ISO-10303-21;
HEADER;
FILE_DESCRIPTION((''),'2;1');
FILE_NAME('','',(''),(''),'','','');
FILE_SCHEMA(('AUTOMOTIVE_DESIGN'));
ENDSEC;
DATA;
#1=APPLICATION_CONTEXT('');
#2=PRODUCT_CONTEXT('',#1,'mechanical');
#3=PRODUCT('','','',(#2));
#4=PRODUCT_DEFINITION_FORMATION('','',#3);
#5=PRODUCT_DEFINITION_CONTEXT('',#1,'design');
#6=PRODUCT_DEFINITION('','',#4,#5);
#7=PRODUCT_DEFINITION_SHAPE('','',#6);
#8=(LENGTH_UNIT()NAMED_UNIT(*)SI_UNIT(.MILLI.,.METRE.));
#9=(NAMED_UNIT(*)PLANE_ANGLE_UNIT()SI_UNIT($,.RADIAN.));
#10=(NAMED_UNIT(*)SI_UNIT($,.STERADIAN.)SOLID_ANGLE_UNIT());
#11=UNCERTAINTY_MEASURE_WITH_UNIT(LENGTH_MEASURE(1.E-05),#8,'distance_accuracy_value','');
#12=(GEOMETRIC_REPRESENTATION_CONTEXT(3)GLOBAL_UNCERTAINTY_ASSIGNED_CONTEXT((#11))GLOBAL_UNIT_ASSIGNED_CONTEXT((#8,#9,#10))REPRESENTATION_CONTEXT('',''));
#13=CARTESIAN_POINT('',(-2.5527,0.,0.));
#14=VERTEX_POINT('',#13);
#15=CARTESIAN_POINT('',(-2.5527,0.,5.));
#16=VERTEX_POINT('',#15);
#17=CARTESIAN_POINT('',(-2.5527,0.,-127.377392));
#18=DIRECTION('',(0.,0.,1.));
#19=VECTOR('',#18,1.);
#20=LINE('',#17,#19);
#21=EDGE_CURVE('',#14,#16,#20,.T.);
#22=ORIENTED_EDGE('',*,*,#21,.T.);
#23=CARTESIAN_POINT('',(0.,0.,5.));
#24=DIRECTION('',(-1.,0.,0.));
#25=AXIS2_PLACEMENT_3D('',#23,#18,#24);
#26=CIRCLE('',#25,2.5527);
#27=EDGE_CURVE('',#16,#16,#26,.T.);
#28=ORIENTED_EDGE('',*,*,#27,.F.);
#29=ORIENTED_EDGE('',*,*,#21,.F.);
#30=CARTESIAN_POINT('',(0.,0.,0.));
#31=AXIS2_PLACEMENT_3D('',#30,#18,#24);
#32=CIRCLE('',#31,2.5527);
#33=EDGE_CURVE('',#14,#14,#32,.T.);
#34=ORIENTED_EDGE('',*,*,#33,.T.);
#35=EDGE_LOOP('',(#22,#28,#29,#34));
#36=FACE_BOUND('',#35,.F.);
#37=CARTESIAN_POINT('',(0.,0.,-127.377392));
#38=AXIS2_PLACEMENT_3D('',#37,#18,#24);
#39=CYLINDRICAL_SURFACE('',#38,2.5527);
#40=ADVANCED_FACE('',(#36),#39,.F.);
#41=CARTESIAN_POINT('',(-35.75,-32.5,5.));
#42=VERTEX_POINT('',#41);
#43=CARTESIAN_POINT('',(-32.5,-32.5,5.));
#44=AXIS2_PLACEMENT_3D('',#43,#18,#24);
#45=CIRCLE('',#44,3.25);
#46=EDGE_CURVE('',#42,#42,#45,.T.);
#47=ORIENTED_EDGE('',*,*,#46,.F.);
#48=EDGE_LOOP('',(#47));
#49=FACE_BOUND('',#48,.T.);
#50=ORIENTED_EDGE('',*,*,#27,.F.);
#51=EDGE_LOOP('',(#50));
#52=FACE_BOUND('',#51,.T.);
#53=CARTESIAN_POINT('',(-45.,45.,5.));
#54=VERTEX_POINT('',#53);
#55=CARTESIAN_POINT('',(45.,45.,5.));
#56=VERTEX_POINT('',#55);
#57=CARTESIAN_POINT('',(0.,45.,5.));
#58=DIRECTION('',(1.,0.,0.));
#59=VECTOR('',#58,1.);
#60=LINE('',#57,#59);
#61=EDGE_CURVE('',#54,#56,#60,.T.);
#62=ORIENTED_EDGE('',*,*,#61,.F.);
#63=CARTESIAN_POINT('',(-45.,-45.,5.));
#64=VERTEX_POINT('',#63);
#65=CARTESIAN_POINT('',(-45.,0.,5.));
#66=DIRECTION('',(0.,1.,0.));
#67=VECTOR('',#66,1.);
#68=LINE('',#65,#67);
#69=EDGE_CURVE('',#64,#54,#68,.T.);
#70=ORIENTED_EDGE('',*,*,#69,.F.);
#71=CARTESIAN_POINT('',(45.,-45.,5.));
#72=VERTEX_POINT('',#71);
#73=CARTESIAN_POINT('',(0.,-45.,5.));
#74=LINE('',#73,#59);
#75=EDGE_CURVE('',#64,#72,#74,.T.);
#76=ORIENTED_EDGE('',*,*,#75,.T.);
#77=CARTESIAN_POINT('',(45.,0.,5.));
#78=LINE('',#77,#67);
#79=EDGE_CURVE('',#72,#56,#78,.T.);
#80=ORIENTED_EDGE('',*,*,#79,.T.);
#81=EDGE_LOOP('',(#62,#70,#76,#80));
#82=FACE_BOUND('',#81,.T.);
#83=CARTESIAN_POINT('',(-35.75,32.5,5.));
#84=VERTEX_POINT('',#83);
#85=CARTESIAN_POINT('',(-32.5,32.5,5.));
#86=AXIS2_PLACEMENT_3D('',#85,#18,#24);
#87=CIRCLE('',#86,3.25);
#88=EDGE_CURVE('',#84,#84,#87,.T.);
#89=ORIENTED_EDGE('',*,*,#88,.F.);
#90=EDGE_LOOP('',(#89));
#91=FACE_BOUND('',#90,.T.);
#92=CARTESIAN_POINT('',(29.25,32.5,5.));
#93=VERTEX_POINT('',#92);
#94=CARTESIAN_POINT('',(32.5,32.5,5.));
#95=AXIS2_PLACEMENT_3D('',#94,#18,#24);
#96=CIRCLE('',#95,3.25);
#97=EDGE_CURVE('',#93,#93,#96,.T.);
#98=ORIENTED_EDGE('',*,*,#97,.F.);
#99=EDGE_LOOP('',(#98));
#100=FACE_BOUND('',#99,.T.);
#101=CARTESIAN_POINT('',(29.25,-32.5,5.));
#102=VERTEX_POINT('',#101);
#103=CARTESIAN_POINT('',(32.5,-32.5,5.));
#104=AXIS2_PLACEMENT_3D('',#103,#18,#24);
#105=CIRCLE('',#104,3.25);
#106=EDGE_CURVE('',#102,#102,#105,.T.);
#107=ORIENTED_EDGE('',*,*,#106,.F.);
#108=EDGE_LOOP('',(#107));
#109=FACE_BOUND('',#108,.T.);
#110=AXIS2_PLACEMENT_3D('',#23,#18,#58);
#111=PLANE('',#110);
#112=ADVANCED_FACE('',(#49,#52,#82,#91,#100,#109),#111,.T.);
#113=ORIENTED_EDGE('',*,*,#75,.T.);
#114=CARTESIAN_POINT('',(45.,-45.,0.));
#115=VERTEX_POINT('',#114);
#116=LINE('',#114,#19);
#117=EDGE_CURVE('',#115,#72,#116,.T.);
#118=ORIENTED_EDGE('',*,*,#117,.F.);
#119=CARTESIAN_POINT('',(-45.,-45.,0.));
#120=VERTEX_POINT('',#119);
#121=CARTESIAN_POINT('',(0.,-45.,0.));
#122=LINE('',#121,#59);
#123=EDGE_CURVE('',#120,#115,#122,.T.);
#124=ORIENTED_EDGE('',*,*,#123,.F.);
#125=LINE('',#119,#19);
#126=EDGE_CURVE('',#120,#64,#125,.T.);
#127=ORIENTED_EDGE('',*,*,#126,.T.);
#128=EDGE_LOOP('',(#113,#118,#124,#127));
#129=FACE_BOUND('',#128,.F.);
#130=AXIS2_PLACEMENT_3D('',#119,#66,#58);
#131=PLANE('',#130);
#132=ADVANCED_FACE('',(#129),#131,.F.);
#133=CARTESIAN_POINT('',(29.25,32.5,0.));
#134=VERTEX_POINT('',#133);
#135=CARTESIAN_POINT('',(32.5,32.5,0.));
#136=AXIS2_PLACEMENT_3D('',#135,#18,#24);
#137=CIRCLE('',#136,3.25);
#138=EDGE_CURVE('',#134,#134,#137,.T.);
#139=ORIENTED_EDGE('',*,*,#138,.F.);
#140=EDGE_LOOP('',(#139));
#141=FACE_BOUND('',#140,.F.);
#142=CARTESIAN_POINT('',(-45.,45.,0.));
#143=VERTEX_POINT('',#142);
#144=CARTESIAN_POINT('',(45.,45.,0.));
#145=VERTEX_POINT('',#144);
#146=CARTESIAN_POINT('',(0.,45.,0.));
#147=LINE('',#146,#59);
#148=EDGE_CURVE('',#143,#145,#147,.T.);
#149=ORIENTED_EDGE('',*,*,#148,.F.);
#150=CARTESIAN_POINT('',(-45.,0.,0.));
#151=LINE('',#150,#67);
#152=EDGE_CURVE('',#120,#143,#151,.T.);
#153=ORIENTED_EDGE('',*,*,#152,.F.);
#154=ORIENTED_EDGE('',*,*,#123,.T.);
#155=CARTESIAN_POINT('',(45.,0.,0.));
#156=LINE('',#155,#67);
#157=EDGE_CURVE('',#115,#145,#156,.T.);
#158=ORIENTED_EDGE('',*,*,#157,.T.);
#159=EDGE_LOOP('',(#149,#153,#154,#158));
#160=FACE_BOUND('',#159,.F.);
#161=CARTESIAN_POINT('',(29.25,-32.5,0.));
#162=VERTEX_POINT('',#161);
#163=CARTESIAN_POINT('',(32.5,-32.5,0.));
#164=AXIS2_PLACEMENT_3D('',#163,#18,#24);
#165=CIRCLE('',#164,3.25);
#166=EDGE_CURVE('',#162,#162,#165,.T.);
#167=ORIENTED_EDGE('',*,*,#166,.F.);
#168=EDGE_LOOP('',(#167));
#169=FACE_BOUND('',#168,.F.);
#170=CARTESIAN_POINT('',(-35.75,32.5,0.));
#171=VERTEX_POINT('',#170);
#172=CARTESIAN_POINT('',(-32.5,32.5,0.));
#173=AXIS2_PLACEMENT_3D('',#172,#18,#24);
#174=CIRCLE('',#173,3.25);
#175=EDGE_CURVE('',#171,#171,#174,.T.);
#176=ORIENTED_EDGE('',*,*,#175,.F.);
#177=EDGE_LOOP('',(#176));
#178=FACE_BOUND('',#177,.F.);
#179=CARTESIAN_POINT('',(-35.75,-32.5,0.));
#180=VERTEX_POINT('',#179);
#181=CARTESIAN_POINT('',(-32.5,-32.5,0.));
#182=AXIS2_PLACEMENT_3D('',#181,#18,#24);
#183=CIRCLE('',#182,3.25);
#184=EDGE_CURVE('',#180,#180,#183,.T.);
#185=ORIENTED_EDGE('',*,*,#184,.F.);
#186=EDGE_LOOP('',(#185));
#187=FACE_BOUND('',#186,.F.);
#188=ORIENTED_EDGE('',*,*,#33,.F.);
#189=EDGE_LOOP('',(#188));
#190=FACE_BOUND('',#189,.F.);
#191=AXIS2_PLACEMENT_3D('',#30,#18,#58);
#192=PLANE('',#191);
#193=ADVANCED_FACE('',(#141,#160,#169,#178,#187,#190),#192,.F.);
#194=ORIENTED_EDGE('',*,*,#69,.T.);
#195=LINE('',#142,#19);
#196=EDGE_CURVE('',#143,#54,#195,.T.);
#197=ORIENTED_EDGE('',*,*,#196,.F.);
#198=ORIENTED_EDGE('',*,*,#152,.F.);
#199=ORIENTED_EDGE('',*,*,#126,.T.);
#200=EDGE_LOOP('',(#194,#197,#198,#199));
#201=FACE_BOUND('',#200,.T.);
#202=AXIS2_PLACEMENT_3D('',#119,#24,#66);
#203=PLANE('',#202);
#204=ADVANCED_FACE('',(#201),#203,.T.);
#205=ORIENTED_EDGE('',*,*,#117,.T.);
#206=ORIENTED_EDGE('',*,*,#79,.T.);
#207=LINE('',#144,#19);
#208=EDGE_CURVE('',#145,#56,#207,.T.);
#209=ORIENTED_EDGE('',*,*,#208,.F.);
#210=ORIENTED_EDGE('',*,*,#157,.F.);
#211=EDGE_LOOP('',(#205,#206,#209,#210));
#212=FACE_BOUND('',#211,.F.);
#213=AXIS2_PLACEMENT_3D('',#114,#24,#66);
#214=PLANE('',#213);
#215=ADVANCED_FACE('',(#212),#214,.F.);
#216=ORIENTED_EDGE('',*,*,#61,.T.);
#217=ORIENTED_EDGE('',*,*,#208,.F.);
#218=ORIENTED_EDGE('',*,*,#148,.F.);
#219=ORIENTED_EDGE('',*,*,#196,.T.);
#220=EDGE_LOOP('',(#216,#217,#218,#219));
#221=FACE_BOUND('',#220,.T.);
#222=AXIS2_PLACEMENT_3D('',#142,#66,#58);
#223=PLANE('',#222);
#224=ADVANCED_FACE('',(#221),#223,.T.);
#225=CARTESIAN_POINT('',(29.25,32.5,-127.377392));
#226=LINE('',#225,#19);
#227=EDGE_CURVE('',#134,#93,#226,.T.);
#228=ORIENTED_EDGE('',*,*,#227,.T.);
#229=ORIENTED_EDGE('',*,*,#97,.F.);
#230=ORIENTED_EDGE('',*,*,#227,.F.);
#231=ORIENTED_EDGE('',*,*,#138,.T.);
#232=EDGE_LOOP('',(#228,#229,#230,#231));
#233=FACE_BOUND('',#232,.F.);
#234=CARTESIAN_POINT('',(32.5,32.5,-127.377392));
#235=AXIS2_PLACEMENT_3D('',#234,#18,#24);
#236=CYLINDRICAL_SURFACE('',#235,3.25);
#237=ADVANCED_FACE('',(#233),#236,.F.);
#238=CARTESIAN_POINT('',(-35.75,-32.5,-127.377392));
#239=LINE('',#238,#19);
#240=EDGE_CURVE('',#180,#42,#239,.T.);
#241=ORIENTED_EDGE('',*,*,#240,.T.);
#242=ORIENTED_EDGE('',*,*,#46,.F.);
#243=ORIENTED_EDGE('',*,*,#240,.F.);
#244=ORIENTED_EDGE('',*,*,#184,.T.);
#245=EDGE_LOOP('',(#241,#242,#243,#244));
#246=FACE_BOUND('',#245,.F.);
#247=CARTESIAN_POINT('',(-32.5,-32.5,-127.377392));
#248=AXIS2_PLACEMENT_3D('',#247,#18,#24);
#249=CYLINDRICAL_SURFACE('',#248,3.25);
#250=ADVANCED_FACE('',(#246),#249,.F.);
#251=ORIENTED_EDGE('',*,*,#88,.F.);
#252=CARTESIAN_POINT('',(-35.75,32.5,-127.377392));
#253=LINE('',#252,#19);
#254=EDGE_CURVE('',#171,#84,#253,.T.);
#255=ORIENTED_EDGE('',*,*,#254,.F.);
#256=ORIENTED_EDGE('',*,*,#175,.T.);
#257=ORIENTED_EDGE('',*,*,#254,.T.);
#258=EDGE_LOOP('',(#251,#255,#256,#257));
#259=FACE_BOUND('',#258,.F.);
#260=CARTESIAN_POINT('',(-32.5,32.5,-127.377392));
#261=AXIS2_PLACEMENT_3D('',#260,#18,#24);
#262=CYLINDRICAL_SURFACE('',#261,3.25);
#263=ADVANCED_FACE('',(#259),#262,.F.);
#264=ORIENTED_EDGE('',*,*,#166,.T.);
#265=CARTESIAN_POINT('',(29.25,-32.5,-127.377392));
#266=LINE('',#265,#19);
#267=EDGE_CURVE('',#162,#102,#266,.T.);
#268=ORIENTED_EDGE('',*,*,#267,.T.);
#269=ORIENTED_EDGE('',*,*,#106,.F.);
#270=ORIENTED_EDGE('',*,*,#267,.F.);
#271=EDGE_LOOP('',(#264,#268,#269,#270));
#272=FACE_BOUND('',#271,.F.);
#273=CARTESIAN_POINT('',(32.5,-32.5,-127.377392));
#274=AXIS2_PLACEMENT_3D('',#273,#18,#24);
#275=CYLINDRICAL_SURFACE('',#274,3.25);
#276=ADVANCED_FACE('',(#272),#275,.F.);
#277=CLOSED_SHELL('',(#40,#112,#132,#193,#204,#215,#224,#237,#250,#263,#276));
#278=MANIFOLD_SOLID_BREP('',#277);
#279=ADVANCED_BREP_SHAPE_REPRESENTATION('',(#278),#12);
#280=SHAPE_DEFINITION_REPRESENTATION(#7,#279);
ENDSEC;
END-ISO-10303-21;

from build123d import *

# Parameters (mm, degrees)
F0_W     = 90
F0_H     = 90
F1_DEPTH = 5
F2_D     = 6.5
F3_D     = 5.1054


with BuildPart() as f1:
    # F0 (on Top) → F1 (new body)
    with BuildSketch(Plane.XY):
        Rectangle(F0_W, F0_H)
    extrude(amount=F1_DEPTH)

    # F2 (through all)
    with Locations(Plane(origin=(0, 0, 0), x_dir=(1, 0, 0), z_dir=(0, 0, -1))):
        with Locations((-32.5, -32.5), (32.5, -32.5), (32.5, 32.5), (-32.5, 32.5)):
            Hole(F2_D / 2)

    # F3 (through all)
    with Locations(Plane(origin=(0, 0, 0), x_dir=(1, 0, 0), z_dir=(0, 0, -1))):
        with Locations((0, 0)):
            Hole(F3_D / 2)


solid = f1.part
